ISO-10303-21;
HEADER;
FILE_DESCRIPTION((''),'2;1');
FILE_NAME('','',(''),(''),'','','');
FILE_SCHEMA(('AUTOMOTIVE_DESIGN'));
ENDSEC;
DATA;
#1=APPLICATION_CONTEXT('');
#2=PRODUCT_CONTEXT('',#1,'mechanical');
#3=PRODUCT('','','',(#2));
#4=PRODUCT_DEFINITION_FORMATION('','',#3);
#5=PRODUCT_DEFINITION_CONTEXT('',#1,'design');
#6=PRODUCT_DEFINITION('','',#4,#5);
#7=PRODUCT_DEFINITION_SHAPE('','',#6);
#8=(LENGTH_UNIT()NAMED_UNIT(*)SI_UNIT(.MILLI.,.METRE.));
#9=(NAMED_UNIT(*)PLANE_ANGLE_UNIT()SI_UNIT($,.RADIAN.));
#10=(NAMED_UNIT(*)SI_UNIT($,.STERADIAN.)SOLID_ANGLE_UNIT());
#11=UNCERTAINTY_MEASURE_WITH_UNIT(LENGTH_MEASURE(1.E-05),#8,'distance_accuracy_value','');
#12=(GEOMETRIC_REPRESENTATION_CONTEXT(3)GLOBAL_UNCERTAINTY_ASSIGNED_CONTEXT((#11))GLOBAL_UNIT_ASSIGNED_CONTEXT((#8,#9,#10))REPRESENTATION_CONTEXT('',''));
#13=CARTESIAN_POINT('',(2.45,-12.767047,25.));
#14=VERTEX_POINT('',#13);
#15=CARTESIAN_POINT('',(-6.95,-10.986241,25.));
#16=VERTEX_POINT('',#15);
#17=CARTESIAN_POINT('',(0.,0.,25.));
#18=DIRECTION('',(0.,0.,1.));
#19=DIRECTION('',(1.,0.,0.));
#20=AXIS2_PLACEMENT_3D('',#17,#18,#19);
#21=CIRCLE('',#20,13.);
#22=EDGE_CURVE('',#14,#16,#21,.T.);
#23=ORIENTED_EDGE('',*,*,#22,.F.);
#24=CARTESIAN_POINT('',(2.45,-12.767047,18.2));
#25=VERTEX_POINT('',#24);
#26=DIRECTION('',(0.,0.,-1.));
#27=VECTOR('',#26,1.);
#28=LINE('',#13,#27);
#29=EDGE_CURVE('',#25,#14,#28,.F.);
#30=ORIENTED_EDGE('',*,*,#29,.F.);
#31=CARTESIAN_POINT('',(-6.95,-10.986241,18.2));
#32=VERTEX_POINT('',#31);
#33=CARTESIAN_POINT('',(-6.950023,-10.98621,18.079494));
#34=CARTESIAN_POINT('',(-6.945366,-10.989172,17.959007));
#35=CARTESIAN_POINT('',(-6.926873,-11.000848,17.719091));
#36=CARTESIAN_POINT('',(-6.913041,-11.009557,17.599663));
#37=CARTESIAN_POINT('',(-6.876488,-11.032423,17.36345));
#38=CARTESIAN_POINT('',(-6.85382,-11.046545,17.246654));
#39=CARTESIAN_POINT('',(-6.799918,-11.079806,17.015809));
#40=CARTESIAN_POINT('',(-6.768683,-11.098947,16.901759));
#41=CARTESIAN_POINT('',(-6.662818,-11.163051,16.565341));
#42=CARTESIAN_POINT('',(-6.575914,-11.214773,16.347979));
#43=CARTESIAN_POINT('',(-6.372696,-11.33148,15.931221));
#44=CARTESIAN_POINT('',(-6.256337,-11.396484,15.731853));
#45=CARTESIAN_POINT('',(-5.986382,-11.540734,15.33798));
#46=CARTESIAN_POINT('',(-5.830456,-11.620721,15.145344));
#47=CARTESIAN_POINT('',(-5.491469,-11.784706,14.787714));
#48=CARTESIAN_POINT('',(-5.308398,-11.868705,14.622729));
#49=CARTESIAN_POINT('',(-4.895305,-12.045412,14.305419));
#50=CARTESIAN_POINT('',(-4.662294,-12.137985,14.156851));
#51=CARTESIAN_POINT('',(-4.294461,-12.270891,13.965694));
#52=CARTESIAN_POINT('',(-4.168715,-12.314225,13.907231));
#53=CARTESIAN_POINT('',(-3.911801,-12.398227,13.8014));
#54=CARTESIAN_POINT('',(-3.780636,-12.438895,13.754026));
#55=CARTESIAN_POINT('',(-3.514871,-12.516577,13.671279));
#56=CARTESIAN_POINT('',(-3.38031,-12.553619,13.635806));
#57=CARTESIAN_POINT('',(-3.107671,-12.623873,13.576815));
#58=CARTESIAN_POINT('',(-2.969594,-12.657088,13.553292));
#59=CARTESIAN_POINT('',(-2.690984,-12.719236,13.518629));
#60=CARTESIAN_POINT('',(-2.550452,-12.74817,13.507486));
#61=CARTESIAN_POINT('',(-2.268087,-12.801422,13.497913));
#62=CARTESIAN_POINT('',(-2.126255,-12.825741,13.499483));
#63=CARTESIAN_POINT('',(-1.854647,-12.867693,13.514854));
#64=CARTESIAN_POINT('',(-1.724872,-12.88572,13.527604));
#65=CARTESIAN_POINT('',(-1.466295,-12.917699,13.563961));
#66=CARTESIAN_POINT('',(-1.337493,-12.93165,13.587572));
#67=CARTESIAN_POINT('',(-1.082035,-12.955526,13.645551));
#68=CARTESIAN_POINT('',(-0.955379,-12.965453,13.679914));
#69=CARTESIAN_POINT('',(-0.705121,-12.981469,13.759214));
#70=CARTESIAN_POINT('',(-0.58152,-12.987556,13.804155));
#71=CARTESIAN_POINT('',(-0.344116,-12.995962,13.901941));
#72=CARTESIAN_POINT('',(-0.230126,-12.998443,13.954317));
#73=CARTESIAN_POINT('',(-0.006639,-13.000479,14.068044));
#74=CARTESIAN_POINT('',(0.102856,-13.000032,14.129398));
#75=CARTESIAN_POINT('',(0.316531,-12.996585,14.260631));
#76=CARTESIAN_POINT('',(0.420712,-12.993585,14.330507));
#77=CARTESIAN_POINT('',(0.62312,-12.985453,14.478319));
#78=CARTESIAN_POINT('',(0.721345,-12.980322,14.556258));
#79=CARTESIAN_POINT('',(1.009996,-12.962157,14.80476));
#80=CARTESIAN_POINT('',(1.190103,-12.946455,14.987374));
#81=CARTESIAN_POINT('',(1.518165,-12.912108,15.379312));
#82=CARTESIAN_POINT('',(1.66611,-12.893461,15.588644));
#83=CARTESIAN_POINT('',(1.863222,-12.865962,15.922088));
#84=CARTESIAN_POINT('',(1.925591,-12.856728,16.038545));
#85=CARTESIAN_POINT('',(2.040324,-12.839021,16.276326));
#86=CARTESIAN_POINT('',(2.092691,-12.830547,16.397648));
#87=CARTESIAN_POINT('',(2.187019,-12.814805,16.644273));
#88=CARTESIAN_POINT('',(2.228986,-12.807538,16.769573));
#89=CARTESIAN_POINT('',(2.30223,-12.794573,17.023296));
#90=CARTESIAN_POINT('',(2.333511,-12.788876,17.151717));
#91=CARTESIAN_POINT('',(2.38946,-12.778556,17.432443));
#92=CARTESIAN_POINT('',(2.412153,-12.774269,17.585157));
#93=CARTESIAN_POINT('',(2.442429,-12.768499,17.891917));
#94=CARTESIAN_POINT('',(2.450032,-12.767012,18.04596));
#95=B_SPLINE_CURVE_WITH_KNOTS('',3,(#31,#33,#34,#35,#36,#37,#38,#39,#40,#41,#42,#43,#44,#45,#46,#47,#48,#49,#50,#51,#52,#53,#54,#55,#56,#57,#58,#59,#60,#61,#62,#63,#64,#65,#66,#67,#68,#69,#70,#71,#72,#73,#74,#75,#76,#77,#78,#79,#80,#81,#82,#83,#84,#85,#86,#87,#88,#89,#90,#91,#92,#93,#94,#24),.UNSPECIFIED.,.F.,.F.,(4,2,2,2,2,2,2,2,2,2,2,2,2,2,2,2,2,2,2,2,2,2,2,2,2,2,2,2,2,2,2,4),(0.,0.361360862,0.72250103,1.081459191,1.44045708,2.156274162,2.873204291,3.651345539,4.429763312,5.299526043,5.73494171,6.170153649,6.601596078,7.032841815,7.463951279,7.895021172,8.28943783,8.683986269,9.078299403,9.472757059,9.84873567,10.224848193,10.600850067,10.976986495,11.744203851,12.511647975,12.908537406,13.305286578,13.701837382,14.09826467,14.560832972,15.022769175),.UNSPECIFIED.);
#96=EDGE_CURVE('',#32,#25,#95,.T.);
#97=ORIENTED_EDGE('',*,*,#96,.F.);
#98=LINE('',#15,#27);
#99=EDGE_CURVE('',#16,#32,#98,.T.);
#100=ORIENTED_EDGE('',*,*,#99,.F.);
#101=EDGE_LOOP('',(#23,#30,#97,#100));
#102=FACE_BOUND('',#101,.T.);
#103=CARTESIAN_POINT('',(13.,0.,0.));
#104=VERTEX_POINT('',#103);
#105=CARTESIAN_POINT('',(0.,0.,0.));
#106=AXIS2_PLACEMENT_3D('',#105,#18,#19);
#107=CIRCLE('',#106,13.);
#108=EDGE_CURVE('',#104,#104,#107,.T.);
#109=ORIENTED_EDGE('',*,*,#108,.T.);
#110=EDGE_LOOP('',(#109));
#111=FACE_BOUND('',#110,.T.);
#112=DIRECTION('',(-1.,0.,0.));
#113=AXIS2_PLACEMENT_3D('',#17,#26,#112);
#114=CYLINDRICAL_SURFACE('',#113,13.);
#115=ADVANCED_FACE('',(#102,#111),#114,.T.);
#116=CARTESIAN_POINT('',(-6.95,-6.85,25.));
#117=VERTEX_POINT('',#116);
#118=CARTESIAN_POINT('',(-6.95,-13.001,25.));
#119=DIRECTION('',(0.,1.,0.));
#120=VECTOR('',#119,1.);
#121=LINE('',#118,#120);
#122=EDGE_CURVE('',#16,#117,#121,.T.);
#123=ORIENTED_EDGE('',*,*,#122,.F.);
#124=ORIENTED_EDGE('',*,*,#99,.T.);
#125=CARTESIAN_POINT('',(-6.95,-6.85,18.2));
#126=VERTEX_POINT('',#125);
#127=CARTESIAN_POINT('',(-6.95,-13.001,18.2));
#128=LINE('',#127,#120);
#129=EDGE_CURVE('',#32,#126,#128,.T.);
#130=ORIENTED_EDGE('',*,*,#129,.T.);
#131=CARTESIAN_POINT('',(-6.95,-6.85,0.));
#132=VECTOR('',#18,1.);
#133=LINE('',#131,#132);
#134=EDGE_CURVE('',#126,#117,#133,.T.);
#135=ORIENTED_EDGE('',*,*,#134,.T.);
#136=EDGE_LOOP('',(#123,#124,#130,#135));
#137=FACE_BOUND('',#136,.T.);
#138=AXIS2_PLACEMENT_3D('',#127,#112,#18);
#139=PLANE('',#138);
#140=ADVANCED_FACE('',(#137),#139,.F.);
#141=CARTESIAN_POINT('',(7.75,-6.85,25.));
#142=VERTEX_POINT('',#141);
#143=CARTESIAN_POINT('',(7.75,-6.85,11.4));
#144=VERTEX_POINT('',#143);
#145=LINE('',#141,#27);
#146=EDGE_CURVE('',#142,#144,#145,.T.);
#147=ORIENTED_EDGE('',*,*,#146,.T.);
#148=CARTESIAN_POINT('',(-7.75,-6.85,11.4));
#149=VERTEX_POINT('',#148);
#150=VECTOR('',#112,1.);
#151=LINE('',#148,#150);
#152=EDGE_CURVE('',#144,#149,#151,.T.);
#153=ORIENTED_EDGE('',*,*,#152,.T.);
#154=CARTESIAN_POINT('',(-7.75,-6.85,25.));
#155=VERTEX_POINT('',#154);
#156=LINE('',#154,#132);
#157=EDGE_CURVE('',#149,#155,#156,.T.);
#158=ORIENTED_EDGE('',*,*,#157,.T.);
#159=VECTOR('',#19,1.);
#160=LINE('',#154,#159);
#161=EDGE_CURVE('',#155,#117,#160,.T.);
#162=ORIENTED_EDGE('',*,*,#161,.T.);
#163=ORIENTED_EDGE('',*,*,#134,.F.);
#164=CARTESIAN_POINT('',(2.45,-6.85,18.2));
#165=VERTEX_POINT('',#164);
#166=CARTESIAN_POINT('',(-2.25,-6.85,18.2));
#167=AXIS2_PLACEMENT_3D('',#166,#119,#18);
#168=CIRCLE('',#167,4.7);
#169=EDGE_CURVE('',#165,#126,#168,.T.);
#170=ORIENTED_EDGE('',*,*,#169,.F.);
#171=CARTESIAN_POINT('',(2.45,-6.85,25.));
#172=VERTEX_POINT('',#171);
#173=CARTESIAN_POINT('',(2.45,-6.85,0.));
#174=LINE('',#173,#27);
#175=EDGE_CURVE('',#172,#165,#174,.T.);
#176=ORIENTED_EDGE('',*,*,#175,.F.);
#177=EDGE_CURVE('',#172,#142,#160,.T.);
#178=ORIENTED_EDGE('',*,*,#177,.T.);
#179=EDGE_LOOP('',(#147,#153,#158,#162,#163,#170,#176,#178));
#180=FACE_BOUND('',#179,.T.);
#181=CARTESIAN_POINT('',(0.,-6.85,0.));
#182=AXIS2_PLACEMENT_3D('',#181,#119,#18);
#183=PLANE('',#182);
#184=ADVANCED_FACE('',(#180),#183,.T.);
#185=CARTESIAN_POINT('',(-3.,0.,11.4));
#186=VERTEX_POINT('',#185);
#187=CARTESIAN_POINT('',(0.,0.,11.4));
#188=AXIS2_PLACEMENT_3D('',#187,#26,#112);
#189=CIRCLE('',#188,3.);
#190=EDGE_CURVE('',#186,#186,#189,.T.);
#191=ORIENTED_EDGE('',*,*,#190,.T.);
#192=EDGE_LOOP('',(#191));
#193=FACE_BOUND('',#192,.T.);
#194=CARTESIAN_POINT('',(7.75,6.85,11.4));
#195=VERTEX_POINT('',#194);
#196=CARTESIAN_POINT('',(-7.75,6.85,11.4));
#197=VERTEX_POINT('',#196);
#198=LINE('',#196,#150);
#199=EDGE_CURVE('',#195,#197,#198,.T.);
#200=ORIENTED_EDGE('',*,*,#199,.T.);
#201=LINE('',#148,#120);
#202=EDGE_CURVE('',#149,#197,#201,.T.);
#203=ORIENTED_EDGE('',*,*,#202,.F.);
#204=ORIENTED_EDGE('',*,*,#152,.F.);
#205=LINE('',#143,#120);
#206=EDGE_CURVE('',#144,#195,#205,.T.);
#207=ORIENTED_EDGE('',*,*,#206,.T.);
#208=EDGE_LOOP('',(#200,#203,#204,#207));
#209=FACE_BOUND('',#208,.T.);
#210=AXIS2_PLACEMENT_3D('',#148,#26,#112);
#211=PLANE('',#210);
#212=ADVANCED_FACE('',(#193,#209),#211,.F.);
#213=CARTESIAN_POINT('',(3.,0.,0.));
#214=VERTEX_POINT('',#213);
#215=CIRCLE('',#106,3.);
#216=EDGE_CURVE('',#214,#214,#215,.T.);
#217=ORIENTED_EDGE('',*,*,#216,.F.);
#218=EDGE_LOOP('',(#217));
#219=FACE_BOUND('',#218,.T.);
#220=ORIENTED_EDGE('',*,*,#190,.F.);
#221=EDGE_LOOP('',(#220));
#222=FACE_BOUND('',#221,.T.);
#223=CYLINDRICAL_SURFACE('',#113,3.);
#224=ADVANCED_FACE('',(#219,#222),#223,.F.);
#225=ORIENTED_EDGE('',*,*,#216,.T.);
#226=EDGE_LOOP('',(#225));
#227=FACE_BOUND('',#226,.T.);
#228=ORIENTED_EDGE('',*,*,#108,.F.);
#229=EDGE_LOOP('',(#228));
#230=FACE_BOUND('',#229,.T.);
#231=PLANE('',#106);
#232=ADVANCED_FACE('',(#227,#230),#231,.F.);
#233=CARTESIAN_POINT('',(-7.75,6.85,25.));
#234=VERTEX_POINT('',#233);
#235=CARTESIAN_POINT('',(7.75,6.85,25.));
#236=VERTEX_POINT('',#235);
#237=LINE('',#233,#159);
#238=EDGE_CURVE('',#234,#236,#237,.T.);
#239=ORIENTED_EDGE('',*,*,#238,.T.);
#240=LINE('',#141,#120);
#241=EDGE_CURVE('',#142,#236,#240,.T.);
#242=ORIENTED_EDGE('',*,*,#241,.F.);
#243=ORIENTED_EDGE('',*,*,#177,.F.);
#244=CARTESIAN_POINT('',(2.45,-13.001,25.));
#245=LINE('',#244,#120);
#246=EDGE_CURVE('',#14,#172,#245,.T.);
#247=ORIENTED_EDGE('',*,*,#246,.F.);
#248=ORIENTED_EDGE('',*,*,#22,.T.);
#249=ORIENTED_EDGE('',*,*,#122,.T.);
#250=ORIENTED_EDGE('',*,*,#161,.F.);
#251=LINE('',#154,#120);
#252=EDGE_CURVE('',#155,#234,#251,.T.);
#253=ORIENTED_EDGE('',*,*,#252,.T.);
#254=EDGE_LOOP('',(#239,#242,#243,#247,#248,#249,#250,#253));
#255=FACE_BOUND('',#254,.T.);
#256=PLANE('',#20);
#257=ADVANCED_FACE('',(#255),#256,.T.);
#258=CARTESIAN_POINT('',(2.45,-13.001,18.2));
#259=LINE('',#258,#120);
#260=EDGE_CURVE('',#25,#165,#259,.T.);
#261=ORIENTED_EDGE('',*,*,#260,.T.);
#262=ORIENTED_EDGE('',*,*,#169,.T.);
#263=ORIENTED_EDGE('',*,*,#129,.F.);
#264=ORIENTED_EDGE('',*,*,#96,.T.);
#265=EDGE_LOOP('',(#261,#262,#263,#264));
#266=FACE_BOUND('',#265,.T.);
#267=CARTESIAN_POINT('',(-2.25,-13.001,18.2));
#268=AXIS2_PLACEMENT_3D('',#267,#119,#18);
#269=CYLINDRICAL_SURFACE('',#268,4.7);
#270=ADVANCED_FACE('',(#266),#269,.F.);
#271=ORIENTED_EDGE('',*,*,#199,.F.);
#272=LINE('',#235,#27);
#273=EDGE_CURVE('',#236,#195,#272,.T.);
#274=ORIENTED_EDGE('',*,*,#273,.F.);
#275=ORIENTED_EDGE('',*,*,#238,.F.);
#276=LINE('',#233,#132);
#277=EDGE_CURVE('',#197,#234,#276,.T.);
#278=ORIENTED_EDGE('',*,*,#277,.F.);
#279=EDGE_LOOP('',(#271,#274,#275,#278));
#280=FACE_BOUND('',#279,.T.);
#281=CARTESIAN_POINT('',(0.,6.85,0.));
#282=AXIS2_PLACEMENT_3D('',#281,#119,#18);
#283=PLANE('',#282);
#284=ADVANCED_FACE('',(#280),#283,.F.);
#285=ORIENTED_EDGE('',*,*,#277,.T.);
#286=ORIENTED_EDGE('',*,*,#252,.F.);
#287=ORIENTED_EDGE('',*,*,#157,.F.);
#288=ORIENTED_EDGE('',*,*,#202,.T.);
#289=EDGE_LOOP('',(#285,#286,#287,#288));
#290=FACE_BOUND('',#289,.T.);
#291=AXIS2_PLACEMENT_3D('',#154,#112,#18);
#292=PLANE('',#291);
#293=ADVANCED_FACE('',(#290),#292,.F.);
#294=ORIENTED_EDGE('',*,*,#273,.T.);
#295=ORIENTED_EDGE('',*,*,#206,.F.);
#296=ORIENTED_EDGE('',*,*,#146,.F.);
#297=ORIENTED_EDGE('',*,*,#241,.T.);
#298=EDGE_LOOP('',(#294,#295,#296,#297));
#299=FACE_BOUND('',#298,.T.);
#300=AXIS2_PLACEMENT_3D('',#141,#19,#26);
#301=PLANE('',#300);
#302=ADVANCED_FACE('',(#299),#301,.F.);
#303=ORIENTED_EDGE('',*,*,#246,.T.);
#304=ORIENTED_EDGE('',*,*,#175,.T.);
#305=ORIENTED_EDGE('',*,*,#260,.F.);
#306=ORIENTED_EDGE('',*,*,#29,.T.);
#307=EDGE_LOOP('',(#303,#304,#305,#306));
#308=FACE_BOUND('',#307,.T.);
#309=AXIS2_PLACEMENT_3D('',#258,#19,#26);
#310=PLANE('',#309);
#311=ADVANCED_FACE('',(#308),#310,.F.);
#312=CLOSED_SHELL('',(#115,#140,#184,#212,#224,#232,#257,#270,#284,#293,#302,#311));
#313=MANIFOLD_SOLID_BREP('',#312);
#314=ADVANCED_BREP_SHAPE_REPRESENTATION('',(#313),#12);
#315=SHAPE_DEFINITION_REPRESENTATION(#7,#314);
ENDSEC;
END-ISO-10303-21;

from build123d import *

# Parameters (mm, degrees)
SKETCH1_R               = 13
SKETCH1_R_2             = 3
BOSS_EXTRUDE1_DEPTH     = 25
SKETCH2_W               = 15.5
SKETCH2_H               = 13.6
CUT_EXTRUDE1_DEPTH      = 6.85
CUT_EXTRUDE2_REACH      = 33.032
CUT_EXTRUDE2_END_RADIUS = 13


with BuildPart() as part:
    # Sketch1 → Boss-Extrude1 (new body)
    with BuildSketch(Plane.XY):
        Circle(SKETCH1_R)
        Circle(SKETCH1_R_2, mode=Mode.SUBTRACT)
    extrude(amount=BOSS_EXTRUDE1_DEPTH)

    # Sketch2 → Cut-Extrude1 (cut, symmetric)
    with BuildSketch(Plane(origin=(0, 0, 0), x_dir=(1, 0, 0), z_dir=(0, 1, 0))):
        with Locations((0, -18.2)):
            Rectangle(SKETCH2_W, SKETCH2_H)
    extrude(amount=CUT_EXTRUDE1_DEPTH, both=True, mode=Mode.SUBTRACT)

    # Cut-Extrude2: up to this cylinder (the profile starts inside it)
    cut_extrude2_end = Plane(origin=(0, 0, 19.701869), z_dir=(0, 0, -1)) * Cylinder(CUT_EXTRUDE2_END_RADIUS, 93.064, mode=Mode.PRIVATE)
    # Sketch3 → Cut-Extrude2 (cut, up to the surface)
    with BuildSketch(Plane(origin=(0, 0, 0), x_dir=(1, 0, 0), z_dir=(0, 1, 0)), mode=Mode.PRIVATE) as cut_extrude2_sk1:
        with BuildLine():
            Line((-6.95, -18.2), (-6.95, -25))
            Line((-6.95, -25), (2.45, -25))
            Line((2.45, -25), (2.45, -18.2))
            ThreePointArc((2.45, -18.2), (-2.25, -13.5), (-6.95, -18.2))
        make_face()
    cut_extrude2_tool1 = extrude(cut_extrude2_sk1.sketch, amount=-CUT_EXTRUDE2_REACH, mode=Mode.PRIVATE) & cut_extrude2_end
    add(cut_extrude2_tool1.solids().sort_by_distance((-2.25, 0, 19.701869))[0], mode=Mode.SUBTRACT)


solid = part.part
